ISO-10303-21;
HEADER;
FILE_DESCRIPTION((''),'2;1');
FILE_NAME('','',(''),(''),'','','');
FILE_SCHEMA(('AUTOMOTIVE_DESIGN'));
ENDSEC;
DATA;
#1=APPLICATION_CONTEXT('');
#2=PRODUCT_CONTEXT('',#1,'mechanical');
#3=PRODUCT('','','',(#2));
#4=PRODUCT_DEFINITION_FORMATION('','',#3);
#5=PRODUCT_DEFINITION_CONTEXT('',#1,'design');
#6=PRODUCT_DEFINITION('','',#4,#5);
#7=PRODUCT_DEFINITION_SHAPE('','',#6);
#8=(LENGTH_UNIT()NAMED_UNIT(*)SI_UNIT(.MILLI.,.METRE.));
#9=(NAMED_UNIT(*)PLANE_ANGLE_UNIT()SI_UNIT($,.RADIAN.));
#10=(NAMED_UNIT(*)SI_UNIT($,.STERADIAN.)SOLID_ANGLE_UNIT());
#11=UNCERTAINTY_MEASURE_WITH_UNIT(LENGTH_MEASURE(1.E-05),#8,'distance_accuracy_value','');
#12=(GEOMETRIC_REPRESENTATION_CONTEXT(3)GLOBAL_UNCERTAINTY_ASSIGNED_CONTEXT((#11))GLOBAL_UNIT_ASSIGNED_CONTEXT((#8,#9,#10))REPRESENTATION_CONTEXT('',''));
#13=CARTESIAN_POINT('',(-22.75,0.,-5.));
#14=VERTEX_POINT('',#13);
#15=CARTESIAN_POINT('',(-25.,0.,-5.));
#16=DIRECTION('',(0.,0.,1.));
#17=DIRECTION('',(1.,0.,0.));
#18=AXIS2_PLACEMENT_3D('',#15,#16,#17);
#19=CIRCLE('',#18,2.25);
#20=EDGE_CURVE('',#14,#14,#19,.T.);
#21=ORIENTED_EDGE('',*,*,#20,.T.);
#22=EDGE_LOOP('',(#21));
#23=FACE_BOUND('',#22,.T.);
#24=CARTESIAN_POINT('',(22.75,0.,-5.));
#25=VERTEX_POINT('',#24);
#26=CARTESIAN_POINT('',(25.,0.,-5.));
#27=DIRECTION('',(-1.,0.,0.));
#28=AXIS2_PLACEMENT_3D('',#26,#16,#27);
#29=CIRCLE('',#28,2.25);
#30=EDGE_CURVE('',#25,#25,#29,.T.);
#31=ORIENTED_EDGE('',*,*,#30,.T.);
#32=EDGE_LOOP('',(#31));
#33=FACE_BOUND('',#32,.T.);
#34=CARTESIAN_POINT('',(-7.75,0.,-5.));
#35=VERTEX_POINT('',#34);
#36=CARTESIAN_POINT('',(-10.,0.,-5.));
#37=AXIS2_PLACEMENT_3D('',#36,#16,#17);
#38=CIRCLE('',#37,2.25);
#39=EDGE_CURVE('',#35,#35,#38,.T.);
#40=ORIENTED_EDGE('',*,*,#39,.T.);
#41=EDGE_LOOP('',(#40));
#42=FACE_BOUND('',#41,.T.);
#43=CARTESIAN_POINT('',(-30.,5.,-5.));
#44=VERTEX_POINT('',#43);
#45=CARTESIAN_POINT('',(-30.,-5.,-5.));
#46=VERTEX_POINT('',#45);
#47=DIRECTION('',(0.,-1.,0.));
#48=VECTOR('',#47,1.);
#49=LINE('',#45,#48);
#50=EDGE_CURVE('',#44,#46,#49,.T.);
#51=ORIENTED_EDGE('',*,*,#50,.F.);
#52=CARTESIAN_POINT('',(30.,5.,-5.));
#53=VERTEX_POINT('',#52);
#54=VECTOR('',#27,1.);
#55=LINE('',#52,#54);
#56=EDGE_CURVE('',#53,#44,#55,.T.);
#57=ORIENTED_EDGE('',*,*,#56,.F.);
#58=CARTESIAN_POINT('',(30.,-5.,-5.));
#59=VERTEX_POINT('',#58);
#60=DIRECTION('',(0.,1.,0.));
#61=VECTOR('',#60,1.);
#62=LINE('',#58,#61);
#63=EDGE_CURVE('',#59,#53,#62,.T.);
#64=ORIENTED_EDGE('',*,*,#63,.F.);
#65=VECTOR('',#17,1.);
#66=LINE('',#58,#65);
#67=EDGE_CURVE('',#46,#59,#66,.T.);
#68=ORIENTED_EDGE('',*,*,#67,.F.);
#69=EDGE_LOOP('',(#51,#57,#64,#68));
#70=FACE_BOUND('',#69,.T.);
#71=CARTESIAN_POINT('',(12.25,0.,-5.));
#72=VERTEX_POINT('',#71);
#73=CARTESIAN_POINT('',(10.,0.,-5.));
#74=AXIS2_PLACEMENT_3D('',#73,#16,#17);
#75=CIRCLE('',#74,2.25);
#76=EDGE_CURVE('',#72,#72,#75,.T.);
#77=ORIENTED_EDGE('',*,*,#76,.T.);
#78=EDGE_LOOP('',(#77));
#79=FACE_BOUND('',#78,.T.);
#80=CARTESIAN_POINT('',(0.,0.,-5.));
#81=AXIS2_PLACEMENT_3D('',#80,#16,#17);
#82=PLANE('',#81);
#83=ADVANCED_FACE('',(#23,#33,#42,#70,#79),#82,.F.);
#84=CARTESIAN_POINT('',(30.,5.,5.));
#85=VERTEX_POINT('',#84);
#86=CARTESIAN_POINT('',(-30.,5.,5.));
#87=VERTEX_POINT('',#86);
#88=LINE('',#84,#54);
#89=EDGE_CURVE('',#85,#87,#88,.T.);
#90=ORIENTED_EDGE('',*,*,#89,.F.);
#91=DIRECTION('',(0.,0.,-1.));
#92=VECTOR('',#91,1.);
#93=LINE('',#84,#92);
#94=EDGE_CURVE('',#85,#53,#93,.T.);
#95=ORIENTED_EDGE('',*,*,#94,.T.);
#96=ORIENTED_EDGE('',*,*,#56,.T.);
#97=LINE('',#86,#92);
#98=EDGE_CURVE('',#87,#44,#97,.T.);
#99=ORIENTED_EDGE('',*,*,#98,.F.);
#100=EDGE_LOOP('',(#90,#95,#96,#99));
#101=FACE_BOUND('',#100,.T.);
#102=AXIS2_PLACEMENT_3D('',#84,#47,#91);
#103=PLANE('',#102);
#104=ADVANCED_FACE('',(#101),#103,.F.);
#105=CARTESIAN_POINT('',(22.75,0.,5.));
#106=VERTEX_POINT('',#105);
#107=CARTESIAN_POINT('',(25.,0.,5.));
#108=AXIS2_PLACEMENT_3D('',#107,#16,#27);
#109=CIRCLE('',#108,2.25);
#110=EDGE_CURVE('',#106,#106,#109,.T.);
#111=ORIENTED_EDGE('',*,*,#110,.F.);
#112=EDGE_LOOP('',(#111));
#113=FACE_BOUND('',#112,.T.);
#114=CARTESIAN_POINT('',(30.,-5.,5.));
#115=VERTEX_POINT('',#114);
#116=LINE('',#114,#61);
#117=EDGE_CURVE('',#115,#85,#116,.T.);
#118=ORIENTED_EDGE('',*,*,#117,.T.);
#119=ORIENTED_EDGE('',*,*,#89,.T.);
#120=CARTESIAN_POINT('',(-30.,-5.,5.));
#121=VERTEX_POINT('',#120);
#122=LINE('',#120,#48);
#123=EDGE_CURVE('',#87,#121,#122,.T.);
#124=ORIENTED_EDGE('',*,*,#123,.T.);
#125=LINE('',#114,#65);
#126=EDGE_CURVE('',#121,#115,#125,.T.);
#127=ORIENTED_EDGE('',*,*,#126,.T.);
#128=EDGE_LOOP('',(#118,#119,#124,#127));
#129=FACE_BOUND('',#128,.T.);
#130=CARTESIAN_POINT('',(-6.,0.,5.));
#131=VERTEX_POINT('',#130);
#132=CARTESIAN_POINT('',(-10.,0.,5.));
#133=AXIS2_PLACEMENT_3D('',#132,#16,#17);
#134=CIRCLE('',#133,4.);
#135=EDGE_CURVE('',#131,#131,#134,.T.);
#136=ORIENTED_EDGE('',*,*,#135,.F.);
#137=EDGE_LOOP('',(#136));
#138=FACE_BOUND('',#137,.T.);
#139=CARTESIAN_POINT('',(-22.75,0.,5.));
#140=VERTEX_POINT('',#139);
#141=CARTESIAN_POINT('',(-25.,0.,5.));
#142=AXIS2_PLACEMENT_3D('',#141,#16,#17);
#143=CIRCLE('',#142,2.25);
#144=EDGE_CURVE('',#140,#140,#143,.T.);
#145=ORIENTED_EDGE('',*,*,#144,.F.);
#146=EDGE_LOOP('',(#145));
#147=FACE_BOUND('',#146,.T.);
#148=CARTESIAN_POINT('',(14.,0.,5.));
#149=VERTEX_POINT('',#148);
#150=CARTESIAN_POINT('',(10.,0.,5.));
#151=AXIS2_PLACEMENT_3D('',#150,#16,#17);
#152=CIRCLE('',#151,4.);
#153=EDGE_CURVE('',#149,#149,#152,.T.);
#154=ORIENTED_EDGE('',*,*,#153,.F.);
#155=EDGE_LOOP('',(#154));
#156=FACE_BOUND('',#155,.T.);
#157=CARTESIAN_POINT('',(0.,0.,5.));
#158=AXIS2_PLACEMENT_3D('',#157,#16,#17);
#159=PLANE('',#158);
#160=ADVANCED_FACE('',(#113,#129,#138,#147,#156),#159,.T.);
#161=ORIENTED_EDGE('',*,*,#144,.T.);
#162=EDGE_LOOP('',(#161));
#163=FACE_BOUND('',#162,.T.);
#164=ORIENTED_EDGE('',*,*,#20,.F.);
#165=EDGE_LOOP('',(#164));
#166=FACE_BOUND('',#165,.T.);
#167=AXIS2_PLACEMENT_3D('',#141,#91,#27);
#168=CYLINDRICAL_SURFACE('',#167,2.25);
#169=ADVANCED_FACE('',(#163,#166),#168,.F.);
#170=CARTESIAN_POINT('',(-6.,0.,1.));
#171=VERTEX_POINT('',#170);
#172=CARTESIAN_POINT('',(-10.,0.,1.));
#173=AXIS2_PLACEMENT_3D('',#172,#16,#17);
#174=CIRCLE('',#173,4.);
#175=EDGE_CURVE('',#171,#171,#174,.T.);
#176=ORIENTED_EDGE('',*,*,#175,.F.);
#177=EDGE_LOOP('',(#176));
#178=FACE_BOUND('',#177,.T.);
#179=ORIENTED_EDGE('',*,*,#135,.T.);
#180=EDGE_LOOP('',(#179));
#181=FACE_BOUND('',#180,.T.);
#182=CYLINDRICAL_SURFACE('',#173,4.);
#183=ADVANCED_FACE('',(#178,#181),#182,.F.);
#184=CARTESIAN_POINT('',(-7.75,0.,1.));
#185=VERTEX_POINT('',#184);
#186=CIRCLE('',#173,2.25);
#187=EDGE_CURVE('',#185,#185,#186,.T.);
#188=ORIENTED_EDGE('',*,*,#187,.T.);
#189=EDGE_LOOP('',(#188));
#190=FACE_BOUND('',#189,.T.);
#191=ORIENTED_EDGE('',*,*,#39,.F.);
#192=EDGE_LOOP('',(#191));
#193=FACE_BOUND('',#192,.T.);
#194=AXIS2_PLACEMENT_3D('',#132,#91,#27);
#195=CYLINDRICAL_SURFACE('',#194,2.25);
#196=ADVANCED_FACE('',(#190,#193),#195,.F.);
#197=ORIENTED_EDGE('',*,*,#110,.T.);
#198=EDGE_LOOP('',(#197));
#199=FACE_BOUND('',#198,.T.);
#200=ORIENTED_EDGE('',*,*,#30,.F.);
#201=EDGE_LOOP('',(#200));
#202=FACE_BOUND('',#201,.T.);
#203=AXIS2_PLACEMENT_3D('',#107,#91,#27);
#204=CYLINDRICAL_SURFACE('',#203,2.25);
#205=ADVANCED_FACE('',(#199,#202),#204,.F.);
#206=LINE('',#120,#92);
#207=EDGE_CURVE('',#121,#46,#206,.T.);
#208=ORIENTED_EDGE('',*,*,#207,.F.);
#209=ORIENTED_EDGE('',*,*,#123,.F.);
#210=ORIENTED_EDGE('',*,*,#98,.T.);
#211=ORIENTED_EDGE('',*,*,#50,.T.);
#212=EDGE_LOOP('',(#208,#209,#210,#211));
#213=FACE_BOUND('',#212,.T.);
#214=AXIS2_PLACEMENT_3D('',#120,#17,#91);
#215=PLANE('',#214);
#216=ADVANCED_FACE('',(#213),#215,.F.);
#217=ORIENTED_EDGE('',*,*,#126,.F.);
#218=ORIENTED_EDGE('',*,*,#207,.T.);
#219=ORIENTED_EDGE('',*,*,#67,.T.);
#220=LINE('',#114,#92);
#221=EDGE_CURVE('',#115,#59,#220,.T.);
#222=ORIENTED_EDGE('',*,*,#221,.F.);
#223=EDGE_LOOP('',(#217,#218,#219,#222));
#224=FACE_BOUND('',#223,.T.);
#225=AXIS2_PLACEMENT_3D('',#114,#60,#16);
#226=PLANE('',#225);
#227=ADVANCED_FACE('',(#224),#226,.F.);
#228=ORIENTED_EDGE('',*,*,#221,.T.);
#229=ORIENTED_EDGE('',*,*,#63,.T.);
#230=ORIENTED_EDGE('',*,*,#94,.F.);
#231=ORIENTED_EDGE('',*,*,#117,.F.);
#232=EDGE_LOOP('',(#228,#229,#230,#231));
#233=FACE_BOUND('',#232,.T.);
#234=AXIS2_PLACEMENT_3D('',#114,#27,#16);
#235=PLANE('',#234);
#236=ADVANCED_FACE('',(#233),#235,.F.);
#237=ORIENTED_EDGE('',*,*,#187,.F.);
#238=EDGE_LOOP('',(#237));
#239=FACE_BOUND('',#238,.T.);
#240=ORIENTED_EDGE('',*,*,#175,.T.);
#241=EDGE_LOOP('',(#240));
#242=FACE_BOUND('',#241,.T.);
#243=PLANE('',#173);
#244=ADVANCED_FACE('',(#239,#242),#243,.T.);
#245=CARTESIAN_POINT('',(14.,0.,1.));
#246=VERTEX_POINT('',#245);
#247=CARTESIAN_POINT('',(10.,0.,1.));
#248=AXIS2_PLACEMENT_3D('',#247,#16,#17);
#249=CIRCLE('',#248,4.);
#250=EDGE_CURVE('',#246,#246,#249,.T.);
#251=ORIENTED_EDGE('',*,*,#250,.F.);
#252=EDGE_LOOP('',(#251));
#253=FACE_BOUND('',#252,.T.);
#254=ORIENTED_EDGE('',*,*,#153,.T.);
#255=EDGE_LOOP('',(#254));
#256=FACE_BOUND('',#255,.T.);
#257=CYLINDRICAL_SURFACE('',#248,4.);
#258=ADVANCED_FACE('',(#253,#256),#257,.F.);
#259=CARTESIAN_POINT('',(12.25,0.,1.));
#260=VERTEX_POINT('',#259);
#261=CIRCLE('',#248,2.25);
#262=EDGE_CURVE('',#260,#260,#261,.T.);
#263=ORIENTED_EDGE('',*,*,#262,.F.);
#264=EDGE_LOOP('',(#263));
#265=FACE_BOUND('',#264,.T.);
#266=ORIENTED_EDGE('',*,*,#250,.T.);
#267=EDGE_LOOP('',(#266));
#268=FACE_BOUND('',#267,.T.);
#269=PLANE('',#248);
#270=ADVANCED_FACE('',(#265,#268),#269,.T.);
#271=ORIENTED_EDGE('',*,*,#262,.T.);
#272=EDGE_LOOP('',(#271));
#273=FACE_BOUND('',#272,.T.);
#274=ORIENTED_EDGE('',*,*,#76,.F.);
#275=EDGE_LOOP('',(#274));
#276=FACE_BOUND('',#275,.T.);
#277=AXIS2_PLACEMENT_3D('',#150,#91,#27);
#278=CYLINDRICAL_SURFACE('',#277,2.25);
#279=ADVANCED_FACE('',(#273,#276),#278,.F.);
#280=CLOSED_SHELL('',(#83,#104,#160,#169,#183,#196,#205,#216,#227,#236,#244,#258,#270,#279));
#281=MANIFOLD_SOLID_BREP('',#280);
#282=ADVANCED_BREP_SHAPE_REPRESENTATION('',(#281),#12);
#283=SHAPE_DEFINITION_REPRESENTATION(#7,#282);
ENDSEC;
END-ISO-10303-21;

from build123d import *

# Parameters (mm, degrees)
CROQUIS1_W              = 60
CROQUIS1_H              = 10
CROQUIS1_R              = 2.25
SALIENTE_EXTRUIR1_DEPTH = 5
CROQUIS4_R              = 4
CORTAR_EXTRUIR1_DEPTH   = 4


with BuildPart() as part:
    # Croquis1 → Saliente-Extruir1 (new, symmetric)
    with BuildSketch(Plane.XY):
        Rectangle(CROQUIS1_W, CROQUIS1_H)
        with Locations((-10, 0)):
            Circle(CROQUIS1_R, mode=Mode.SUBTRACT)
        with Locations((10, 0)):
            Circle(CROQUIS1_R, mode=Mode.SUBTRACT)
        with Locations((-25, 0)):
            Circle(CROQUIS1_R, mode=Mode.SUBTRACT)
        with Locations(Location((25, 0, 0), (0, 0, 180))):
            Circle(CROQUIS1_R, mode=Mode.SUBTRACT)
    extrude(amount=SALIENTE_EXTRUIR1_DEPTH, both=True)

    # Croquis4 → Cortar-Extruir1 (cut)
    with BuildSketch(Plane.XY.offset(5)):
        with Locations((-10, 0)):
            Circle(CROQUIS4_R)
        with Locations((10, 0)):
            Circle(CROQUIS4_R)
    extrude(amount=-CORTAR_EXTRUIR1_DEPTH, mode=Mode.SUBTRACT)


solid = part.part
